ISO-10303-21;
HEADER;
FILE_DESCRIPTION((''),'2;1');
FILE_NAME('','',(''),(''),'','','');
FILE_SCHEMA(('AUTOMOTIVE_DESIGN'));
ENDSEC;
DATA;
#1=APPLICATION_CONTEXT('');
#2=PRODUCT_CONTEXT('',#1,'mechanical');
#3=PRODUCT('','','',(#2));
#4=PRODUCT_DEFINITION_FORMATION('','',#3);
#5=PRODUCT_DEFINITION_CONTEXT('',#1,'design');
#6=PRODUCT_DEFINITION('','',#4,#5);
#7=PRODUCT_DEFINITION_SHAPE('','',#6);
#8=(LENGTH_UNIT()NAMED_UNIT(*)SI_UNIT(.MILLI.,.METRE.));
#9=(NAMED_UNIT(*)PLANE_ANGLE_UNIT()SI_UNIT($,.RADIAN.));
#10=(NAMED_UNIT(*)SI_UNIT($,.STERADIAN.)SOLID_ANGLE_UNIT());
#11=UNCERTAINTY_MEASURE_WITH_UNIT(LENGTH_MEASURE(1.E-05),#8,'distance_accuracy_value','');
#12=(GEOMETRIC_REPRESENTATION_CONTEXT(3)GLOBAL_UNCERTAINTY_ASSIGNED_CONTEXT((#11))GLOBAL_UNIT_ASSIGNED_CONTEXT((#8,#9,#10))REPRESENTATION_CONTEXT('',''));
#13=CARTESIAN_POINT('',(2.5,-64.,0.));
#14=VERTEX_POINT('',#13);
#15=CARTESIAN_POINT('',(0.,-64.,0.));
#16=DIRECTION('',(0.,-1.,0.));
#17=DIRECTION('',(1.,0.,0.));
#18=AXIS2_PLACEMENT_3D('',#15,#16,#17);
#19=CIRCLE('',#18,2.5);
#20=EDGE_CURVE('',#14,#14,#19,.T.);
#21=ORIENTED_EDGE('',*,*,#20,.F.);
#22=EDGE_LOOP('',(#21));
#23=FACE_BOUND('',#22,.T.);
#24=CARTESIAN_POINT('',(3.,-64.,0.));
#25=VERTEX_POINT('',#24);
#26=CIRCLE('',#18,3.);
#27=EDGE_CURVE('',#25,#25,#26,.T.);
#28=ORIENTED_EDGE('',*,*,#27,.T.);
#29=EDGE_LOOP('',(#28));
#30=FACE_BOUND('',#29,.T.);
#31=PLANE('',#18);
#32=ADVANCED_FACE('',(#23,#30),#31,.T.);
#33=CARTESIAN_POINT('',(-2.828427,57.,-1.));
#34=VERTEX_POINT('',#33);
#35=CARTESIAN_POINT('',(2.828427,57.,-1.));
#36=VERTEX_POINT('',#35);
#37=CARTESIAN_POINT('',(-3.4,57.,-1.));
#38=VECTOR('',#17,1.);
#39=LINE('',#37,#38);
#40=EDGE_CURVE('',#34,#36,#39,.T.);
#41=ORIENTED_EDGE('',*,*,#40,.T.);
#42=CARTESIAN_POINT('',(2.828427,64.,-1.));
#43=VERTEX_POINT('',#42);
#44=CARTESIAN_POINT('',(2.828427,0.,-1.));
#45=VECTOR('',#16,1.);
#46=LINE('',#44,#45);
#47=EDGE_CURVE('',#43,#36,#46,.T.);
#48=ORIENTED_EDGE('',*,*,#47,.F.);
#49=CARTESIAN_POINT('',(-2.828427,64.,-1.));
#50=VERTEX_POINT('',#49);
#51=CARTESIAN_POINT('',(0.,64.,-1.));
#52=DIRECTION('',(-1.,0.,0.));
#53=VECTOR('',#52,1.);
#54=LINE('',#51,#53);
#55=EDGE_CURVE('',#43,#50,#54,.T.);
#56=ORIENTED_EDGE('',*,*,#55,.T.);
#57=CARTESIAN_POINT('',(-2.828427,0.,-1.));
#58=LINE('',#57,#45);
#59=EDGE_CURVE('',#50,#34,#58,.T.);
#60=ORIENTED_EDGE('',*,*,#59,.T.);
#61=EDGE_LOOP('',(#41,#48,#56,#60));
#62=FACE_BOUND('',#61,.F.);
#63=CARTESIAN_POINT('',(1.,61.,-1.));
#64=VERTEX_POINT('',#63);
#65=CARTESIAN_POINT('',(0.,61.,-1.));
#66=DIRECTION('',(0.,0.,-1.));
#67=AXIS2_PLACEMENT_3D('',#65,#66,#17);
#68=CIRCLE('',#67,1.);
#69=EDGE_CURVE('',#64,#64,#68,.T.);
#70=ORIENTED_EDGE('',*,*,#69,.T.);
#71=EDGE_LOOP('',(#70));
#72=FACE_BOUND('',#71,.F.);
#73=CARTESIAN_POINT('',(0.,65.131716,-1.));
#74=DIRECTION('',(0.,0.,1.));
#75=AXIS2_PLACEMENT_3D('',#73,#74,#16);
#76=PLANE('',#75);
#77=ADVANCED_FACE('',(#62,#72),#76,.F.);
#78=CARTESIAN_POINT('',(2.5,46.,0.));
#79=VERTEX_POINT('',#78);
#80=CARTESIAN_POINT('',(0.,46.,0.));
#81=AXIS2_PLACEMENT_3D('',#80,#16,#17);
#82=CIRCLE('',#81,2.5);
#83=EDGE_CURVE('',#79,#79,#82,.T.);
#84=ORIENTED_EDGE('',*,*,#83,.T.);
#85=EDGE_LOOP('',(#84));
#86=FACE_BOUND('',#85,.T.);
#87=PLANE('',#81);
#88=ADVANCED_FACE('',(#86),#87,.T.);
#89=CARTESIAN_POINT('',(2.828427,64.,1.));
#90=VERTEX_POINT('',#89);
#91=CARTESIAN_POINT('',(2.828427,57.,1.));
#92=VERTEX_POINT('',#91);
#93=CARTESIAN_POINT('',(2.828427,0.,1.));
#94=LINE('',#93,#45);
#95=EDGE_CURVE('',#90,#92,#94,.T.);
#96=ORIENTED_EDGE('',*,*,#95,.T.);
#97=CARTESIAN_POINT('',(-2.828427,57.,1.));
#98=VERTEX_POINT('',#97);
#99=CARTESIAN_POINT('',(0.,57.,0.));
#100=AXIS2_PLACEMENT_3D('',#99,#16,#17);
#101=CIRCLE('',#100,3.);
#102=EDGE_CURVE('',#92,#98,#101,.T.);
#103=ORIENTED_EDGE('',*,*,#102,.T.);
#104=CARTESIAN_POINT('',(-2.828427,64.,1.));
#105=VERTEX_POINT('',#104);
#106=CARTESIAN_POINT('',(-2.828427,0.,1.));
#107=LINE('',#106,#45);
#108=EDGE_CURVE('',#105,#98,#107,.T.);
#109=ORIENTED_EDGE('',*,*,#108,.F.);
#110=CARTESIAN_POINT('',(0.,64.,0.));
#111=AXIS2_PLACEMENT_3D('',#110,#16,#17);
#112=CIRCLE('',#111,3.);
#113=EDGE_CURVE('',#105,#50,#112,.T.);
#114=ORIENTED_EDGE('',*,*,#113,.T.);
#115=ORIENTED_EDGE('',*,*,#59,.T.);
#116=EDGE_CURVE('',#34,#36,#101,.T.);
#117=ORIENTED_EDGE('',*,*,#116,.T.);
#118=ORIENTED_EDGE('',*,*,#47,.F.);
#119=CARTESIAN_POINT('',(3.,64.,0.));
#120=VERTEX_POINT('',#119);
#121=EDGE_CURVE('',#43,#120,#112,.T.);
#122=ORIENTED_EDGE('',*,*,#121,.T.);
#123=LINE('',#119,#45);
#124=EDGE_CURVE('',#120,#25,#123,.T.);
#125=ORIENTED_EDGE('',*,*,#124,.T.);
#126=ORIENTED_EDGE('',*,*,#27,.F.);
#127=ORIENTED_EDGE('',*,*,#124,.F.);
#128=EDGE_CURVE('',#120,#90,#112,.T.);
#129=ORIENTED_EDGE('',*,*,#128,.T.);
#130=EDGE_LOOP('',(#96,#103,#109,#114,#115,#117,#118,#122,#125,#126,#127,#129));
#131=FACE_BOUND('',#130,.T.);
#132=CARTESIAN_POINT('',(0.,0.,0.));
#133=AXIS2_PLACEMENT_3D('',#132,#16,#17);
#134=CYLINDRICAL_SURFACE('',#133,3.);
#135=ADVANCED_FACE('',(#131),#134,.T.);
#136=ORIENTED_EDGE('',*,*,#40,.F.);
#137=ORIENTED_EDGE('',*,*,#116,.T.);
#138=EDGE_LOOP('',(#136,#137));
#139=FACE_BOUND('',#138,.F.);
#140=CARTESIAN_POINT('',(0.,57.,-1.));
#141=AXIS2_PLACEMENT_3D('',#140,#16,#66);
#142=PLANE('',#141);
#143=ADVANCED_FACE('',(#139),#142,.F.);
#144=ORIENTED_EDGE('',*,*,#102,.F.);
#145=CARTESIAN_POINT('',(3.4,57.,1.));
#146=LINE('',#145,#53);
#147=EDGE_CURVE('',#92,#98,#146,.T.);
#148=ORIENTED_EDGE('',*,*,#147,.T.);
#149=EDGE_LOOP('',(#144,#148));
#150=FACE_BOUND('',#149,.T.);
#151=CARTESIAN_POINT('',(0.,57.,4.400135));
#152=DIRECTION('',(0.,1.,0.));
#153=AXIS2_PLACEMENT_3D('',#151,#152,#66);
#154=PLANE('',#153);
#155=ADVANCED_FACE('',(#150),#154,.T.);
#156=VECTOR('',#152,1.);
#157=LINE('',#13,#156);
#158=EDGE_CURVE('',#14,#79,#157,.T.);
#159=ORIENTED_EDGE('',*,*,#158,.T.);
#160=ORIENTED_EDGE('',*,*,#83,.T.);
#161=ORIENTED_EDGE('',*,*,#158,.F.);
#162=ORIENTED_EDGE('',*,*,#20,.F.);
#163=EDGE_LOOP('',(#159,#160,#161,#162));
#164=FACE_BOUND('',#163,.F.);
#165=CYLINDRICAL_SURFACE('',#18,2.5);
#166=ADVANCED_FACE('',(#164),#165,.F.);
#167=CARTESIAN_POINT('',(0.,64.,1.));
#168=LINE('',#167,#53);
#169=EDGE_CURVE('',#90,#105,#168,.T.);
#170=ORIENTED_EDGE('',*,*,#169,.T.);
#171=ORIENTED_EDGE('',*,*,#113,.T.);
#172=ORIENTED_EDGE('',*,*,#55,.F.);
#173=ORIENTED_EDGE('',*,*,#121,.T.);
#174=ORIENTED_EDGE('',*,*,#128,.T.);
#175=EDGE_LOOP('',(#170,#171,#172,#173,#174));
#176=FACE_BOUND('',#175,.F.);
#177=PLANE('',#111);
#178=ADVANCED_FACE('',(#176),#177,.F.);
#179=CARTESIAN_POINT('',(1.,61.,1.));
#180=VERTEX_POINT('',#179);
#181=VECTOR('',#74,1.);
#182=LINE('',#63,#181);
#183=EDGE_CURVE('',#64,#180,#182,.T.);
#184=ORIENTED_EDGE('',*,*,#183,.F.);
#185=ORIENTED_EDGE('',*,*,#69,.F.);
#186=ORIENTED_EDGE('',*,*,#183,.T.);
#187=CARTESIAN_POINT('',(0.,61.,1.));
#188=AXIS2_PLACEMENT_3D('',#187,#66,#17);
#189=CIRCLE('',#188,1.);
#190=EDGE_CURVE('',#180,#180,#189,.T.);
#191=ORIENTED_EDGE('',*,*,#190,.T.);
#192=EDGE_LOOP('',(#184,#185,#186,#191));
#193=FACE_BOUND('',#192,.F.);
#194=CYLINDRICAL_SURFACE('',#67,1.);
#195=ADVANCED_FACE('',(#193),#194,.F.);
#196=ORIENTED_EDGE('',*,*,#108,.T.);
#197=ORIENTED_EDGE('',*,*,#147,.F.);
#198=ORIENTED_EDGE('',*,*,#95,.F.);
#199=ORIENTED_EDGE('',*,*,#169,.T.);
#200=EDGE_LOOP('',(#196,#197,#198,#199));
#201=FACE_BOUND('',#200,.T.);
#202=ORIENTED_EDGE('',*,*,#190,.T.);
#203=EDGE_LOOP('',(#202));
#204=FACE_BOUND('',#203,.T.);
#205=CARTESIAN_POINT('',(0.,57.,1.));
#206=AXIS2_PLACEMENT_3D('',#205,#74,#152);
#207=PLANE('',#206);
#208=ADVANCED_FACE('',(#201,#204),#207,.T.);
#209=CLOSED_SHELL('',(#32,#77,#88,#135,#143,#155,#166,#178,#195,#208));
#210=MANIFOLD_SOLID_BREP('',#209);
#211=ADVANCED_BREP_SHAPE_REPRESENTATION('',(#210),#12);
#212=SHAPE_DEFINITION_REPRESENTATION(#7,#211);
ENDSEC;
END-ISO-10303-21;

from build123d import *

# Parameters (mm, degrees)
F0_R     = 3
F1_DEPTH = 64
F2_R     = 2.5
F3_DEPTH = 110
F5_DEPTH = 3.4
F6_R     = 1
F7_DEPTH = 2.8


with BuildPart() as f1:
    # F0 (on Front) → F1 (new body, symmetric)
    with BuildSketch(Plane.XZ):
        Circle(F0_R)
    extrude(amount=F1_DEPTH, both=True)

    # F2 (on face) → F3 (cut)
    with BuildSketch(Plane.XZ.offset(64)):
        Circle(F2_R)
    extrude(amount=-F3_DEPTH, mode=Mode.SUBTRACT)

    # F4 (on Right) → F5 (cut, symmetric)
    with BuildSketch(Plane.YZ):
        Polygon((57, 1), (64, 1), (64.78107, 1), (64.78107, 4.400135), (57, 4.400135), align=None)
        Polygon((65.131716, -1), (64, -1), (57, -1), (57, -4.581856), (65.131716, -4.581856), align=None)
    extrude(amount=F5_DEPTH, both=True, mode=Mode.SUBTRACT)

    # F6 (on face) → F7 (cut)
    with BuildSketch(Plane(origin=(0, 0, -1), x_dir=(1, 0, 0), z_dir=(0, 0, -1))):
        with Locations((0, -61)):
            Circle(F6_R)
    extrude(amount=-F7_DEPTH, mode=Mode.SUBTRACT)


solid = f1.part
